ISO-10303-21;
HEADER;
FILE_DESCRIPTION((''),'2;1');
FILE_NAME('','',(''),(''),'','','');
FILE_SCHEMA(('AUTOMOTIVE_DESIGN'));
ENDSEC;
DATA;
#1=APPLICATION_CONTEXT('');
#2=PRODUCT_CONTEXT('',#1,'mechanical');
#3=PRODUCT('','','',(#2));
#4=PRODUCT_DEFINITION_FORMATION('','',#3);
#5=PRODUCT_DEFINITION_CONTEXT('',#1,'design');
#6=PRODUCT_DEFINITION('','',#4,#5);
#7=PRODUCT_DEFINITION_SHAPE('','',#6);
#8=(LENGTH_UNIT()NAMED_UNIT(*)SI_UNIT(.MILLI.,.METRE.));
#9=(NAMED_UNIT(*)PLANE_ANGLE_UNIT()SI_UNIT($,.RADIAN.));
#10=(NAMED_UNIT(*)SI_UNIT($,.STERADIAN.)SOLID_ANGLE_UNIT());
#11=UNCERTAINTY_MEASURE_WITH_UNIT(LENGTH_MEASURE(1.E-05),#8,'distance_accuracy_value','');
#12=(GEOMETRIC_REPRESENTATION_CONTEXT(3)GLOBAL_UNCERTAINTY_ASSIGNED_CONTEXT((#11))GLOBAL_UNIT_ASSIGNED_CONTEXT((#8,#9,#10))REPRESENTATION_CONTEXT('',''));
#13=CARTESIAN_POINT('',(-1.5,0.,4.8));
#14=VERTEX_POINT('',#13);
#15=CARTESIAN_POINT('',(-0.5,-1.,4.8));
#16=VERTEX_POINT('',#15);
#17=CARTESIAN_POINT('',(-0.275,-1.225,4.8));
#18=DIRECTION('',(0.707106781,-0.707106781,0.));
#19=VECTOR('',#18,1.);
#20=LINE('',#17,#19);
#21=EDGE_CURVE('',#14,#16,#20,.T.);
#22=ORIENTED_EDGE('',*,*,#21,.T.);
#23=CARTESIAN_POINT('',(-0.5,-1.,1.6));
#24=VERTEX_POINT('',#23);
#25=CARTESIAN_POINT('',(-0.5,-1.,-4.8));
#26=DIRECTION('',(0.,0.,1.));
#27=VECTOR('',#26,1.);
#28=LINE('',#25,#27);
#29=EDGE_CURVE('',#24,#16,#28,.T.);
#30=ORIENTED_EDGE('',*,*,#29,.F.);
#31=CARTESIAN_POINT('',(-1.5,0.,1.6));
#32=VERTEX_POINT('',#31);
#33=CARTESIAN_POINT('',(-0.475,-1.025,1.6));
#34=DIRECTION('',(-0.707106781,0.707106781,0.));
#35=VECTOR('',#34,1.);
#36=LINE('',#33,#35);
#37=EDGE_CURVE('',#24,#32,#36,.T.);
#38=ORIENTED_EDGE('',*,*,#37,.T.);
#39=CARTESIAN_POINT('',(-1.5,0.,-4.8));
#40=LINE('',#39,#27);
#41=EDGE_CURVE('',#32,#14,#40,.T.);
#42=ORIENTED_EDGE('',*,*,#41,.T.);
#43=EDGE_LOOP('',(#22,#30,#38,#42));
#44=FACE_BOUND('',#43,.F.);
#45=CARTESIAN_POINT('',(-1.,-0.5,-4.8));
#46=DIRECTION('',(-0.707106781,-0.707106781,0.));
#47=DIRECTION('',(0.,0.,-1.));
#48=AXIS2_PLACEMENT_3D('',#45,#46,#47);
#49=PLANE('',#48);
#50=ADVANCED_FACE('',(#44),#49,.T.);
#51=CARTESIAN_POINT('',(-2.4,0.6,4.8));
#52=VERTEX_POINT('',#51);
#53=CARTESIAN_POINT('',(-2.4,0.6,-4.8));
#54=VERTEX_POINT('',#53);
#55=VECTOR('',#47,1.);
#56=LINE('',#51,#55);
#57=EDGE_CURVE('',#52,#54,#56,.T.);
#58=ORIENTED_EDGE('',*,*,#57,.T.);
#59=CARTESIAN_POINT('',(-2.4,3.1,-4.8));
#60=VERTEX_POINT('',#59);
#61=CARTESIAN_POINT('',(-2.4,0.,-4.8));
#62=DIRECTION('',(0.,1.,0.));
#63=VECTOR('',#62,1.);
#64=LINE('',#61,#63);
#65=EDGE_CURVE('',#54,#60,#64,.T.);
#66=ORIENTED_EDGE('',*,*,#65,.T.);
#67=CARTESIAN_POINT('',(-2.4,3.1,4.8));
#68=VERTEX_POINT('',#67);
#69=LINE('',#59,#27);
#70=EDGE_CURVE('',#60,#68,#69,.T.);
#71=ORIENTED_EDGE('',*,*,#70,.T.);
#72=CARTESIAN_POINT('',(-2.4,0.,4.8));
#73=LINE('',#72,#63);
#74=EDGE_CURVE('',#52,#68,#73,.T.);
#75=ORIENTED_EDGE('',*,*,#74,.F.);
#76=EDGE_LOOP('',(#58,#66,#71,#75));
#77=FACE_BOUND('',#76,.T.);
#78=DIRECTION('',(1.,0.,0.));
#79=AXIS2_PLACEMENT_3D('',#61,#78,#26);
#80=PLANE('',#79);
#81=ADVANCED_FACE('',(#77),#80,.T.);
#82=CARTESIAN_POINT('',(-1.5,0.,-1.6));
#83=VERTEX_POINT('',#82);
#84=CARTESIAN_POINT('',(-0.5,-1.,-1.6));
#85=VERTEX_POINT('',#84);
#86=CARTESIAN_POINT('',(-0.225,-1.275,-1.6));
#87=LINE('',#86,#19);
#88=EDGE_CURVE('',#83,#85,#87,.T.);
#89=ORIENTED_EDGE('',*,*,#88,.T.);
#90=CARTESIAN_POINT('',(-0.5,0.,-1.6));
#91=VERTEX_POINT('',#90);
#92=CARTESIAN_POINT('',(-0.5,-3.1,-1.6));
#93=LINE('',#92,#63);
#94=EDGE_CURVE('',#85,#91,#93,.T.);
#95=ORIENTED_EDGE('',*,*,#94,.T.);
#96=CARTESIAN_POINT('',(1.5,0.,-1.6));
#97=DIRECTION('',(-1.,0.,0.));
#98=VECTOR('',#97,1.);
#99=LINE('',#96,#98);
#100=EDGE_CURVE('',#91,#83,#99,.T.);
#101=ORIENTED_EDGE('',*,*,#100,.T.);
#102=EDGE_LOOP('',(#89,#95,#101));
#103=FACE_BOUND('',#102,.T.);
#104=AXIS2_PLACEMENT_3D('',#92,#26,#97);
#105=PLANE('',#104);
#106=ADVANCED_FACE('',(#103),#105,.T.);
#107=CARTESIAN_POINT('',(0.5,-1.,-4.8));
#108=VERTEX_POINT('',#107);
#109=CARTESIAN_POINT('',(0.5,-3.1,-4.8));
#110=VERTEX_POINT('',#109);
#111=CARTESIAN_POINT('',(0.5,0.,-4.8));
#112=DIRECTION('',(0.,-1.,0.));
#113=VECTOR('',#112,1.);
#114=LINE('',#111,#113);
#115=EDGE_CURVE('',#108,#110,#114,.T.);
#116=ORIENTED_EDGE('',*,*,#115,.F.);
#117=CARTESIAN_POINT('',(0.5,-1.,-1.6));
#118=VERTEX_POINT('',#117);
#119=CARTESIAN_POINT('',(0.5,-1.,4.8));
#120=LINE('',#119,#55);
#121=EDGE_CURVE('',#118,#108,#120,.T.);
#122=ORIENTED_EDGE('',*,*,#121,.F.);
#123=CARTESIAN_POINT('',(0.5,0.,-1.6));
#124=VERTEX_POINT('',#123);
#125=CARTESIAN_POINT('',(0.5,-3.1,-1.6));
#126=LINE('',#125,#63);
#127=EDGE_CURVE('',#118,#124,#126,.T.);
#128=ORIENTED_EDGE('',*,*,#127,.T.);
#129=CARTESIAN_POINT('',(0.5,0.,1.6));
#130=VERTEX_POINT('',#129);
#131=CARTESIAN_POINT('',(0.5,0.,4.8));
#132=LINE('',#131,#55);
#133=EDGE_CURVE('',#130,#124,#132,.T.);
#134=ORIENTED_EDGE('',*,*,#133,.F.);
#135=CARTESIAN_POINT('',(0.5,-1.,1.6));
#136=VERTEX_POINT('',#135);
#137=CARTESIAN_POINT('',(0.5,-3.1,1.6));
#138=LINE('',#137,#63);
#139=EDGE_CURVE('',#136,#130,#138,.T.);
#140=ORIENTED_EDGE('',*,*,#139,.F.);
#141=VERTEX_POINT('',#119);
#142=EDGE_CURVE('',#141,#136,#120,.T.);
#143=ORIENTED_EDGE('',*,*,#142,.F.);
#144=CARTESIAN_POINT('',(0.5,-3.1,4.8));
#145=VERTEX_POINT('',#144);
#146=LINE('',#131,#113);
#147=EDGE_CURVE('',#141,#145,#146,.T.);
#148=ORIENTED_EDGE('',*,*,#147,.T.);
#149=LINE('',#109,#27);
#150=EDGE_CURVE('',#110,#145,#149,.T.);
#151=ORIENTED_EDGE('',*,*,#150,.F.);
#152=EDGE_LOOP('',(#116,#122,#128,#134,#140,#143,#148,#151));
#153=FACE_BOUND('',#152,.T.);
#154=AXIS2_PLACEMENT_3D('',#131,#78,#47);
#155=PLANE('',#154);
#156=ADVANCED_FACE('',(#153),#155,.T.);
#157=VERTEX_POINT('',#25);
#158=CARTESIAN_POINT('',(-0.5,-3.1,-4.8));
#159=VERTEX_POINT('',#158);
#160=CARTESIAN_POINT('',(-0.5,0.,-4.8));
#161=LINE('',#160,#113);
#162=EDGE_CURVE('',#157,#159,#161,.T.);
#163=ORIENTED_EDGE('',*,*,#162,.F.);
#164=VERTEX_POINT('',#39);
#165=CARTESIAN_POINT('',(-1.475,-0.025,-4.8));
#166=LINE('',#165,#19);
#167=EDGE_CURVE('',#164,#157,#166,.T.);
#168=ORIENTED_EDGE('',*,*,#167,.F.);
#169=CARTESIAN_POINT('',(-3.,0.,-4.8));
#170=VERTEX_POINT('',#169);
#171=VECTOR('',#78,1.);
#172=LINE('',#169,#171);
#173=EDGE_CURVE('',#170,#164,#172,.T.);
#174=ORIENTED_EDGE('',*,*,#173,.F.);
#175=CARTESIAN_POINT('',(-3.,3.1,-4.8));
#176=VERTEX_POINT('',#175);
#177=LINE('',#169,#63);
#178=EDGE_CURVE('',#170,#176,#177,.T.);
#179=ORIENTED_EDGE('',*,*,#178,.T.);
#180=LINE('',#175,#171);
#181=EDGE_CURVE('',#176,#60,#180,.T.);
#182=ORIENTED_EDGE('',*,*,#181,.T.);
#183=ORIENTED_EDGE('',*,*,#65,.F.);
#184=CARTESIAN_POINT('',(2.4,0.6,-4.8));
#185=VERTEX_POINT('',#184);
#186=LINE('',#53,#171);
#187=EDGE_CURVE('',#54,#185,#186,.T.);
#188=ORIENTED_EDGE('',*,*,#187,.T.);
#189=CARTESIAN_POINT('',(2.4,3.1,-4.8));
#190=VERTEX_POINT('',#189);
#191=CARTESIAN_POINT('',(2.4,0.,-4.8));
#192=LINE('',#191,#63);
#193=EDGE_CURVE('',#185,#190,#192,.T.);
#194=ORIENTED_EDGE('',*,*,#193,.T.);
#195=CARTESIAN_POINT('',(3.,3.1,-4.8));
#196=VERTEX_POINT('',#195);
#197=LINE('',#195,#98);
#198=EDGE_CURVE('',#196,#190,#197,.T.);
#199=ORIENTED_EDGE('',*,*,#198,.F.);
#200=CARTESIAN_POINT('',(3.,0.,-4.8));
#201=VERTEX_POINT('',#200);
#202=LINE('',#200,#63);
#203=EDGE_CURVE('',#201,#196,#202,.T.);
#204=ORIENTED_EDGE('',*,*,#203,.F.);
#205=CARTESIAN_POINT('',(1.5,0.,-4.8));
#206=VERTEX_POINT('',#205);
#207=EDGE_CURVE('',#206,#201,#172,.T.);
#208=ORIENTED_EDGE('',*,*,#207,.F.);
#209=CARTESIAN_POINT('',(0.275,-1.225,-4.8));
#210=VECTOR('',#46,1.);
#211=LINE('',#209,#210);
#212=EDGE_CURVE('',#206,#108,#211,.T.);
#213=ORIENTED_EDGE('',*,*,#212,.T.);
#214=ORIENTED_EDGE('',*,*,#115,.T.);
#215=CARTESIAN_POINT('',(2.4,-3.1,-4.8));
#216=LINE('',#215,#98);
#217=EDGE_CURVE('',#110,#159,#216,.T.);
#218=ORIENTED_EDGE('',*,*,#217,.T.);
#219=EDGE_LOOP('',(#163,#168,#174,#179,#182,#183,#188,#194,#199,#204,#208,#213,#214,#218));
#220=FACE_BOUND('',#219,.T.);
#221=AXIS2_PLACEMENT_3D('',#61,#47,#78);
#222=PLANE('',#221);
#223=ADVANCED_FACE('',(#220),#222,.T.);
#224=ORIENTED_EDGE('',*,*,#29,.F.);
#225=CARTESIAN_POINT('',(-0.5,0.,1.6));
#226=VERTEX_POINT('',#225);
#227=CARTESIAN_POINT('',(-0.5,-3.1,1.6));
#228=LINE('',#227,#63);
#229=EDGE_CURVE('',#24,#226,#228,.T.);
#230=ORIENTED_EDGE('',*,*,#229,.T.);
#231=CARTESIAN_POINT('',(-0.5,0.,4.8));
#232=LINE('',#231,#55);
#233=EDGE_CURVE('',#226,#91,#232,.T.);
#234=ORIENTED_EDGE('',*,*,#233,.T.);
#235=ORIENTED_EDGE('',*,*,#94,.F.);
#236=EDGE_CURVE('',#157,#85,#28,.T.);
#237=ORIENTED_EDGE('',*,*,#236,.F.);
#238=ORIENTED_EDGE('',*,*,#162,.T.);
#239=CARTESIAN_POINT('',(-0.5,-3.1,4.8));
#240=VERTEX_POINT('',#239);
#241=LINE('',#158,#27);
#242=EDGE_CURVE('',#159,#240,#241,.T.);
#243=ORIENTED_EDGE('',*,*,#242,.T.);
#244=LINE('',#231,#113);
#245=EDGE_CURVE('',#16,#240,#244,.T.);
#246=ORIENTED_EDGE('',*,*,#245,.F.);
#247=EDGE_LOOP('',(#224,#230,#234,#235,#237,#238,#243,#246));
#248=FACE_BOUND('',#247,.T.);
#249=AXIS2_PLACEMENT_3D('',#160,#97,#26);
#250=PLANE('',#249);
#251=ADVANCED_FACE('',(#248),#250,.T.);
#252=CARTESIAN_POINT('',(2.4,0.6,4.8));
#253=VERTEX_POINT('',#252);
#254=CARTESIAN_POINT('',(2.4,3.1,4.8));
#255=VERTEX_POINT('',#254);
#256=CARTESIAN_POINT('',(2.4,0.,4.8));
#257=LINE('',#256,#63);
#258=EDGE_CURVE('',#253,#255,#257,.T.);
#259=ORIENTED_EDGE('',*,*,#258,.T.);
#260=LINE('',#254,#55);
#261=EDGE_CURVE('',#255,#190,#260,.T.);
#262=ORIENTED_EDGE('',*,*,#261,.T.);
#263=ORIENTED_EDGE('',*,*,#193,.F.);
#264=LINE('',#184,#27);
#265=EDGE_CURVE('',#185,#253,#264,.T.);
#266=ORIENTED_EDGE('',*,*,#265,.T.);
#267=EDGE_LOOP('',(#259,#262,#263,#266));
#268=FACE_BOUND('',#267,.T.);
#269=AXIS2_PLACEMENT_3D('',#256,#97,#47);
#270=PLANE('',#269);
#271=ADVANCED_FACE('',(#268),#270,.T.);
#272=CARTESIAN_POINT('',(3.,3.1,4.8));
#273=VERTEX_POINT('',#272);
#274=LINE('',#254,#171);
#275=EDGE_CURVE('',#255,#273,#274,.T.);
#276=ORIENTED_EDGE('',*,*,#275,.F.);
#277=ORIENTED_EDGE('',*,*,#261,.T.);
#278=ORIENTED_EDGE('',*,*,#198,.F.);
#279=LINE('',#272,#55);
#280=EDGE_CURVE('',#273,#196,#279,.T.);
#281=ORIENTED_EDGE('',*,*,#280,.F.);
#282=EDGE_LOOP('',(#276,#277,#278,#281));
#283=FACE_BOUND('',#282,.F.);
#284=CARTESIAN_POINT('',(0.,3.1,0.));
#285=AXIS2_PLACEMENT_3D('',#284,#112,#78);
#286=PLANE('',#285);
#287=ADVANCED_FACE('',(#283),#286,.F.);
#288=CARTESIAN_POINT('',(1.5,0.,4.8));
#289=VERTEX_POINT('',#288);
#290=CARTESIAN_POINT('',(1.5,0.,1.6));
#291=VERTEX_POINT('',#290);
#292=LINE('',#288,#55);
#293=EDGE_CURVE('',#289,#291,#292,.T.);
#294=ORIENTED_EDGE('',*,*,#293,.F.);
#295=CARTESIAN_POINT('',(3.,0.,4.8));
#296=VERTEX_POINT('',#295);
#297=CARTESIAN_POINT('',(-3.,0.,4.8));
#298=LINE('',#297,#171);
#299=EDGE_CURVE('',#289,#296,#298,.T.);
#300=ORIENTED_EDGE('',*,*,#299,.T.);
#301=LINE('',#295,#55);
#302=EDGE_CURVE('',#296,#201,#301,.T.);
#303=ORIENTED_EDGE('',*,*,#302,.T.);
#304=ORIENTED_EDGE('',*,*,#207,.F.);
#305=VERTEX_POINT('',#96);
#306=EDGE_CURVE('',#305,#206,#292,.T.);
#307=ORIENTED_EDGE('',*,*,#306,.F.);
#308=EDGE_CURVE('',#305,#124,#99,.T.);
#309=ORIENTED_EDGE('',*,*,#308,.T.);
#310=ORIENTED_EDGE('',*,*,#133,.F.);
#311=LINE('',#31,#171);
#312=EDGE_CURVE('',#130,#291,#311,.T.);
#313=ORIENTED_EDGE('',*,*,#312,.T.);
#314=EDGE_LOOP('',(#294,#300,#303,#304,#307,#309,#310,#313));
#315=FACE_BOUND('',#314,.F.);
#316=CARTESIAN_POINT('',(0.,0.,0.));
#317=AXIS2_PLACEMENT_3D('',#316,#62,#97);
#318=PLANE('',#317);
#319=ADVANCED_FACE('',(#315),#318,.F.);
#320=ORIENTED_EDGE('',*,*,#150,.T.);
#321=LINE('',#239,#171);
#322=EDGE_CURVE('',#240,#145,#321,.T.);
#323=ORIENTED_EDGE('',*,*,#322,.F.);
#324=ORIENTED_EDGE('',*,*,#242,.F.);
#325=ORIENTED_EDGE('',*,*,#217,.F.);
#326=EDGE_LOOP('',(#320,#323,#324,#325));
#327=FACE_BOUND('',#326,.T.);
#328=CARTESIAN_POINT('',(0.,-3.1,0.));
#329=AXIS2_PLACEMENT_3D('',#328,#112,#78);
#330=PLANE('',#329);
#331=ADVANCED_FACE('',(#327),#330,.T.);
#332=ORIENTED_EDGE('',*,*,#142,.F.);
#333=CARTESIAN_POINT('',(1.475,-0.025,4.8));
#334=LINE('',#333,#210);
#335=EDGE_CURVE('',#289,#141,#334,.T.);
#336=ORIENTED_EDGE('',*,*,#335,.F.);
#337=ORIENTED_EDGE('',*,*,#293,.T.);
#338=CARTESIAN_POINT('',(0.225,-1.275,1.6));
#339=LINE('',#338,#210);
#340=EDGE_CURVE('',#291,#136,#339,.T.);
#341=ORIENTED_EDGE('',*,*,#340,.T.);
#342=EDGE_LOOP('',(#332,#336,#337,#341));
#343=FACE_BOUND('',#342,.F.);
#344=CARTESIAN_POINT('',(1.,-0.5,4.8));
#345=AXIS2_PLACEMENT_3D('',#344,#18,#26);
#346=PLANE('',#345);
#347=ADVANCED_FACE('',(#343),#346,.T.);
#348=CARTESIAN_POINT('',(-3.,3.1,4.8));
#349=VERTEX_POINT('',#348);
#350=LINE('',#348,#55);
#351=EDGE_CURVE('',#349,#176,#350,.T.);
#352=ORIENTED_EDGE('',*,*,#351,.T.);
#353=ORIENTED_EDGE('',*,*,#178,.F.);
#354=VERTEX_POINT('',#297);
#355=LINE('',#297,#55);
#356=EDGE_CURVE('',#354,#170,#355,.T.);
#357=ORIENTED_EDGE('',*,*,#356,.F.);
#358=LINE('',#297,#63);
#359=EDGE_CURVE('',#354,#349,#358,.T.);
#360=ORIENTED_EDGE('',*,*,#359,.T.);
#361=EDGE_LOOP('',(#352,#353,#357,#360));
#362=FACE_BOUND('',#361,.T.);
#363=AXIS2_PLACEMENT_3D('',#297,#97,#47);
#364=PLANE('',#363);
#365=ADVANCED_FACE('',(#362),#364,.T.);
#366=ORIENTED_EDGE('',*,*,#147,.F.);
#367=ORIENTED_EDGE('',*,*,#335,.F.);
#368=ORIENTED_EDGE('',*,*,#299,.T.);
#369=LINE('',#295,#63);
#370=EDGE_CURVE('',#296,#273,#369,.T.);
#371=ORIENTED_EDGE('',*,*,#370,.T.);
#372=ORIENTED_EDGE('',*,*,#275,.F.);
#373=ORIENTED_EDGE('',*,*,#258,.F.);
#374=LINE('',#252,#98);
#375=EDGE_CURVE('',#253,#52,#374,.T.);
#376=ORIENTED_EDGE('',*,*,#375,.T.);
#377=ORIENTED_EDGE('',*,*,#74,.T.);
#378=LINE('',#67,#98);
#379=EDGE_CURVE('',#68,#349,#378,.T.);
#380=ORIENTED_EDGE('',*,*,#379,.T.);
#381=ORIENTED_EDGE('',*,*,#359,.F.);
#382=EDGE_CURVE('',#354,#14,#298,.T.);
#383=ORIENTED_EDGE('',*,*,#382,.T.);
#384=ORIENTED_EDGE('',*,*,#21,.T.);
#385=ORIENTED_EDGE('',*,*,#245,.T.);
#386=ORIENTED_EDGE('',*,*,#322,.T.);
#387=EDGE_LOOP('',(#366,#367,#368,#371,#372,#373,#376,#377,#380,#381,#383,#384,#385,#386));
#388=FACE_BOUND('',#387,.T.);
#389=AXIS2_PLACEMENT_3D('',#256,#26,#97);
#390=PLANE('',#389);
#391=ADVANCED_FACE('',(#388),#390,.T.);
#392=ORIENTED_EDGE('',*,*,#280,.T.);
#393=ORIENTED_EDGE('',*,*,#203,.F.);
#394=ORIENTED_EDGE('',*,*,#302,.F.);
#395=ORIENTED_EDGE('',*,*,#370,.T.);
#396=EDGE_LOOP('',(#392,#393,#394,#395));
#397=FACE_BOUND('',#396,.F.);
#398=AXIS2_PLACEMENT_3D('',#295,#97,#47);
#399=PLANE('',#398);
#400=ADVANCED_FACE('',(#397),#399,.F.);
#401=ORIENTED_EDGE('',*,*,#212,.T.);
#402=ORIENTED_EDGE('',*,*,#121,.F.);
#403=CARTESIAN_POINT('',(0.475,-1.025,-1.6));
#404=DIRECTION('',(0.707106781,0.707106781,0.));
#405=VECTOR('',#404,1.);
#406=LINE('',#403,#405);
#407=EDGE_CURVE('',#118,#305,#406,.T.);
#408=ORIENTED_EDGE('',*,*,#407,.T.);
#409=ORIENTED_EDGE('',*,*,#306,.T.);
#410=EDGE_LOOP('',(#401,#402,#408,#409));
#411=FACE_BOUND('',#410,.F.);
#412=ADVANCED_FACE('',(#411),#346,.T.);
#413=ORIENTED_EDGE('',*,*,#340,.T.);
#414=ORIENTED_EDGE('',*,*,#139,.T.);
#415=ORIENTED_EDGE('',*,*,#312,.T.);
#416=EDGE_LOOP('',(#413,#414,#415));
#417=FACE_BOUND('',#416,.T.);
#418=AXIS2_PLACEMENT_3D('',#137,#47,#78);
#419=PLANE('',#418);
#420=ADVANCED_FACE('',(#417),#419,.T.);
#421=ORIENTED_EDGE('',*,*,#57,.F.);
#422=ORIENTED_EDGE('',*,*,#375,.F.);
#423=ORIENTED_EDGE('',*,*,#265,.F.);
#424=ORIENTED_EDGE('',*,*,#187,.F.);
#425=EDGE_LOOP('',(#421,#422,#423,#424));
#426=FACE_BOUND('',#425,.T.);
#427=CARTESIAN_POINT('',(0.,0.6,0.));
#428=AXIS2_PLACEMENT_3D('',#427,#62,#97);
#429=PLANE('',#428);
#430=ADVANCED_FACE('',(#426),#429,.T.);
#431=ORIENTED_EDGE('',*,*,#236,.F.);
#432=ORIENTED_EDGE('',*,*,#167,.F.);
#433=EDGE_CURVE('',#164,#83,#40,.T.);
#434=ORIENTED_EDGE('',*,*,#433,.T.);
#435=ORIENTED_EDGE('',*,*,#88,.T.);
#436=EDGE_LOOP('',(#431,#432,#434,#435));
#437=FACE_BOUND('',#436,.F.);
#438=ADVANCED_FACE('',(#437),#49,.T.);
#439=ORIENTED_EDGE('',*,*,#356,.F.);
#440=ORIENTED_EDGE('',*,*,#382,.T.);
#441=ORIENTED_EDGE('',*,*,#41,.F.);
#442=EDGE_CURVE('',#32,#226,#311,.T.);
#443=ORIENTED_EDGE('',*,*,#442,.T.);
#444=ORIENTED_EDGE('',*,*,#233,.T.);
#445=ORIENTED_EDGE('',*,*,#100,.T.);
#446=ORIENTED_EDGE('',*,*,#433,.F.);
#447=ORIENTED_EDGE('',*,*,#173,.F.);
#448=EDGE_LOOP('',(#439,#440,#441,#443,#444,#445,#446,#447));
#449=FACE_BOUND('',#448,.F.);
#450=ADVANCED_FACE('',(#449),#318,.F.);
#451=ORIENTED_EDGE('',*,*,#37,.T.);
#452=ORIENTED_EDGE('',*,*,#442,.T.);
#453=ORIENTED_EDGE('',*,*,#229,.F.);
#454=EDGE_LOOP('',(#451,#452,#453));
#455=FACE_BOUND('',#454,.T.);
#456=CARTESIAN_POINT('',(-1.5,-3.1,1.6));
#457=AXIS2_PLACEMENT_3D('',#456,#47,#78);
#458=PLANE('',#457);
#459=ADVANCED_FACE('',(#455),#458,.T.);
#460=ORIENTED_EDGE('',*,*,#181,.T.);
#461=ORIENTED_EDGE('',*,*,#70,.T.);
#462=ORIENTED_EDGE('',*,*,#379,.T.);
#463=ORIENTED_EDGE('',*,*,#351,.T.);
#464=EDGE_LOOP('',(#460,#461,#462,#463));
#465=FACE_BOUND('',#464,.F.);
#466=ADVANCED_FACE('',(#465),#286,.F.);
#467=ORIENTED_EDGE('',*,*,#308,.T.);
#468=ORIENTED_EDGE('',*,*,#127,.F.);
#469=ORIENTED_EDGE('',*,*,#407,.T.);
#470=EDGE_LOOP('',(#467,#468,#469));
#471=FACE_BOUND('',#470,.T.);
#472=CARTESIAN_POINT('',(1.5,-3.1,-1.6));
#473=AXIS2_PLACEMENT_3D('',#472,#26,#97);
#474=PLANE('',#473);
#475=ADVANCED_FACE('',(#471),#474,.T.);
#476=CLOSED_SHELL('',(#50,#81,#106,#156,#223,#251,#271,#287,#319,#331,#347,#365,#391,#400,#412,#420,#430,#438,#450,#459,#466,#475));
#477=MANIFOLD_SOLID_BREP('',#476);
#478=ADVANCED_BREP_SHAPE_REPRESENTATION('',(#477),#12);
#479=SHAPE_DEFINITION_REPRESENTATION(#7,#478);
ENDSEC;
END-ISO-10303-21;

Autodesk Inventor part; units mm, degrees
ref_plane "YZ Plane" through (0, 0, 0) normal (1, 0, 0) x (0, 1, 0)
ref_plane "XZ Plane" through (0, 0, 0) normal (0, 1, 0) x (-1, 0, 0)
ref_plane "XY Plane" through (0, 0, 0) normal (0, 0, 1) x (1, 0, 0)
sketch "스케치1" plane through (0, 0, 0) normal (0, 1, 0) x (-1, 0, 0)
  line L0 (-2.4, 4.8) -> (2.4, 4.8)
  line L1 (2.4, 4.8) -> (2.4, -4.8)
  line L2 (2.4, -4.8) -> (-2.4, -4.8)
  line L3 (-2.4, -4.8) -> (-2.4, 4.8)
  line L4 (-2.4, 4.8) -> (2.4, -4.8) construction
  line L5 (2.4, 4.8) -> (-2.4, -4.8) construction
  point P0 (0, 0)
  dimension "d0" = 4.8
  dimension "d1" = 9.6
extrude "돌출1" add sketch "스케치1" along normal blind 0.6
sketch "스케치2" plane through (0, 0, 0) normal (0, -1, 0) x (1, 0, 0)
  line L0 (2.4, -4.8) -> (-2.4, -4.8) projected
  line L1 (2.4, 4.8) -> (2.4, -4.8) projected
  line L2 (-2.4, 4.8) -> (2.4, 4.8) projected
  line L3 (-2.4, -4.8) -> (-2.4, 4.8) projected
  line L4 (2.4, 4.8) -> (3, 4.8)
  line L5 (3, 4.8) -> (3, -4.8)
  line L6 (3, -4.8) -> (2.4, -4.8)
  line L7 (2.4, -4.8) -> (2.4, 4.8)
  line L8 (-2.4, -4.8) -> (-2.4, 4.8) projected
  line L9 (-2.4, 4.8) -> (-3, 4.8)
  line L10 (-3, 4.8) -> (-3, -4.8)
  line L11 (-3, -4.8) -> (-2.4, -4.8)
  line L12 (-2.4, -4.8) -> (-2.4, 4.8)
  point P0 (0, 0)
  dimension "d4" = 0.6
  dimension "d5" = 0.6
extrude "돌출2" add sketch "스케치2" against normal blind 3.1 contours L1 L4 L5 L6 | L11 L10 L9 L3
sketch "스케치3" plane through (0, 0, 0) normal (0, -1, 0) x (1, 0, 0)
  line L0 (2.4, -4.8) -> (-2.4, -4.8) projected
  line L1 (-0.5, 4.8) -> (0.5, 4.8)
  line L2 (0.5, 4.8) -> (0.5, -4.8)
  line L3 (0.5, -4.8) -> (-0.5, -4.8)
  line L4 (-0.5, -4.8) -> (-0.5, 4.8)
  line L5 (-0.5, 4.8) -> (0.5, -4.8) construction
  line L6 (0.5, 4.8) -> (-0.5, -4.8) construction
  point P0 (0, 0)
  dimension "d8" = 1
extrude "돌출3" add sketch "스케치3" along normal blind 3.1
chamfer "모따기1" distance 1 angle 45 2 edges at (-0.5, 0, 0) (0.5, 0, 0)
sketch "스케치4" plane through (0, -3.1, 0) normal (0, -1, 0) x (1, 0, 0)
  line L0 (1.5, 4.8) -> (0.5, 4.8) projected
  line L1 (0.5, 4.8) -> (0.5, -4.8) projected
  line L2 (0.5, -4.8) -> (1.5, -4.8) projected
  line L3 (1.5, -4.8) -> (1.5, 4.8) projected
  line L4 (-0.5, 4.8) -> (-0.5, -4.8) projected
  line L5 (-0.5, -4.8) -> (0.5, -4.8) projected
  line L6 (0.5, -4.8) -> (0.5, 4.8) projected
  line L7 (0.5, 4.8) -> (-0.5, 4.8) projected
  line L8 (-1.5, -4.8) -> (-0.5, -4.8) projected
  line L9 (-0.5, -4.8) -> (-0.5, 4.8) projected
  line L10 (-0.5, 4.8) -> (-1.5, 4.8) projected
  line L11 (-1.5, 4.8) -> (-1.5, -4.8) projected
  line L12 (-1.5, 1.6) -> (1.5, 1.6)
  line L13 (1.5, 1.6) -> (1.5, -1.6)
  line L14 (1.5, -1.6) -> (-1.5, -1.6)
  line L15 (-1.5, -1.6) -> (-1.5, 1.6)
  line L16 (-1.5, 1.6) -> (1.5, -1.6) construction
  line L17 (1.5, 1.6) -> (-1.5, -1.6) construction
  point P0 (0, 0)
  point P1 (-0.5, -1.6)
  point P2 (-0.5, 1.6)
  point P3 (0.5, -1.6)
  point P4 (0.5, 1.6)
  dimension "d14" = 3.2
extrude "돌출4" cut sketch "스케치4" against normal up to surface (3.1 mm away) contours L3 L14 L1 L12 | L4 L14 L11 L12
properties part number "endcap_4mm_2ea_addon_large"
